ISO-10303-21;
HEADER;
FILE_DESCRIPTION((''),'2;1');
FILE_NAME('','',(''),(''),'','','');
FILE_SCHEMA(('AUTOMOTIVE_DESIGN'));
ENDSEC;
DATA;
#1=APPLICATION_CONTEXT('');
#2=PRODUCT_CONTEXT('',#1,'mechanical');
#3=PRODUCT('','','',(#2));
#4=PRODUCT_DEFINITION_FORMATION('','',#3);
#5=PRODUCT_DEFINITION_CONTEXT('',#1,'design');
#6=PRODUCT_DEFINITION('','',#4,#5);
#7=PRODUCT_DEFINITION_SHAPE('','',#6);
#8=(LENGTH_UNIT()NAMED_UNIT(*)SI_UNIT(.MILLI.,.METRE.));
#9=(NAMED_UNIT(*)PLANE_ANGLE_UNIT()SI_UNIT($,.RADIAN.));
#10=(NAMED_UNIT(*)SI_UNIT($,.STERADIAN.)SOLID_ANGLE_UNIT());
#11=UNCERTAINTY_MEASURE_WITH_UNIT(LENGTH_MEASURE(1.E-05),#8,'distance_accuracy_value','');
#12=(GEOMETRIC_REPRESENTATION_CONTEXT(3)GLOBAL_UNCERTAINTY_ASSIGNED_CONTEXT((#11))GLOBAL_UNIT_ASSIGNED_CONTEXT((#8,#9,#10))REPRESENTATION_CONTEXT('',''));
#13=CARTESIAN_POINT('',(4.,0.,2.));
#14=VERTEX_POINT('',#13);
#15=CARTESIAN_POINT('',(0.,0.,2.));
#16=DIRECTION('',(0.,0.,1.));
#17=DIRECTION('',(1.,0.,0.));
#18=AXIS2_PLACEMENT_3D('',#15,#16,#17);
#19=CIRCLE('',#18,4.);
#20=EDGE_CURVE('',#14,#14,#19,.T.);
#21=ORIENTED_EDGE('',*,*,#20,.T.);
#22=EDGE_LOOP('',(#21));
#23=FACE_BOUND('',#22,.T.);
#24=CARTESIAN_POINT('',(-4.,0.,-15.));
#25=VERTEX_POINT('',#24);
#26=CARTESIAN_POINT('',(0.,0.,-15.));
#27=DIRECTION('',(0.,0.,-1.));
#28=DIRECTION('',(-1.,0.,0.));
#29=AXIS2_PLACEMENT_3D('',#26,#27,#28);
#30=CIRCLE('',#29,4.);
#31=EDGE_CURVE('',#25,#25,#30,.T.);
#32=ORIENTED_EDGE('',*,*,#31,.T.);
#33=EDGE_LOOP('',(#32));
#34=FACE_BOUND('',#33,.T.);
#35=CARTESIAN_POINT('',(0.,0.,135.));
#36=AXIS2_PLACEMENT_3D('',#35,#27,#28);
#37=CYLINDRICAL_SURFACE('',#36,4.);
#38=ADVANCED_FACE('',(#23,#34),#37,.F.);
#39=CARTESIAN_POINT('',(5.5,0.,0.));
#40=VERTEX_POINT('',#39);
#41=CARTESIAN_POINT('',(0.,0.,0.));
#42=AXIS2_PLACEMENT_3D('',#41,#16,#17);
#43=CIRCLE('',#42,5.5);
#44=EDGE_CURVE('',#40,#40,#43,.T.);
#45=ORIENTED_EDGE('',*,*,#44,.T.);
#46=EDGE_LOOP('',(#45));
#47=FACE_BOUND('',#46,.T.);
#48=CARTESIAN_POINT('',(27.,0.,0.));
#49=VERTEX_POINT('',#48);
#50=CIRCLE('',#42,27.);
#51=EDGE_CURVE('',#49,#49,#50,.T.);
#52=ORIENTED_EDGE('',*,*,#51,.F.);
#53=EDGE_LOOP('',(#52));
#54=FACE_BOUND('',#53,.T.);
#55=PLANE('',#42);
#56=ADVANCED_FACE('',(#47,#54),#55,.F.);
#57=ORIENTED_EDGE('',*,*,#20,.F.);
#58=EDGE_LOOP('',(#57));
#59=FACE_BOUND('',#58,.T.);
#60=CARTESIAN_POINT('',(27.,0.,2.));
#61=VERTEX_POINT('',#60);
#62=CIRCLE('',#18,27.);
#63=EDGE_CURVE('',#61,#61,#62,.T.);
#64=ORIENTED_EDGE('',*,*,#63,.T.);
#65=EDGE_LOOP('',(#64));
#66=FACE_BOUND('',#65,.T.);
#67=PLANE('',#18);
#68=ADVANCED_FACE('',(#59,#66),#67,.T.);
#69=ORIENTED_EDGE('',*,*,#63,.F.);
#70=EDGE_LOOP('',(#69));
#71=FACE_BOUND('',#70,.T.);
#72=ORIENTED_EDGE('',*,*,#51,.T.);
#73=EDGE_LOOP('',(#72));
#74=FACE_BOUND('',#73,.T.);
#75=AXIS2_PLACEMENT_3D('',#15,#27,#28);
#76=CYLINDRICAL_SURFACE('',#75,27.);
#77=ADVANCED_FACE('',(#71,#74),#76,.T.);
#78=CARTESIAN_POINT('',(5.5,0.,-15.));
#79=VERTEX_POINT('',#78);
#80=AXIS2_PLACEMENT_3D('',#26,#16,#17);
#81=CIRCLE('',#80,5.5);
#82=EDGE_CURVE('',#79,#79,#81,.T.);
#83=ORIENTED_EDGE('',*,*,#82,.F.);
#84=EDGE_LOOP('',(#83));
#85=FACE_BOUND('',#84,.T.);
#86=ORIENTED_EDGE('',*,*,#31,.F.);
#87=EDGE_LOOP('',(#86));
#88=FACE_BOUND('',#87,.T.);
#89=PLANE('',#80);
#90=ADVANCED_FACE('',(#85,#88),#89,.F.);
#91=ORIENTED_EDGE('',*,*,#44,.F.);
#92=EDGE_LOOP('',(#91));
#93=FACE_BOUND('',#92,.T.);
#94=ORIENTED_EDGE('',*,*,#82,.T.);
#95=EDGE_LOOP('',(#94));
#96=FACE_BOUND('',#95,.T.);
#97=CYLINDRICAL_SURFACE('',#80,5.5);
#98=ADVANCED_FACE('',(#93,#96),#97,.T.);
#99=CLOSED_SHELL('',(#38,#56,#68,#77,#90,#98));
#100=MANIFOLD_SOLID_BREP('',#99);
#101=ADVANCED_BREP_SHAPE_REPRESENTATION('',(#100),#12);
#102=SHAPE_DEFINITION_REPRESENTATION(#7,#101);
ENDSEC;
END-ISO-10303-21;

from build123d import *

# Parameters (mm, degrees)
SKETCH_1_R          = 27
EXTRUDE_1_DEPTH     = 2
SKETCH_2_R          = 5.5
EXTRUDE_2_DEPTH     = 15
SKETCH_3_R          = 4
CUT_EXTRUDE_1_DEPTH = 150


with BuildPart() as part:
    # 草图1 → 凸台-拉伸1 (new body)
    with BuildSketch(Plane.XY):
        Circle(SKETCH_1_R)
    extrude(amount=EXTRUDE_1_DEPTH)

    # 草图2 → 凸台-拉伸2 (add)
    with BuildSketch(Plane.XY):
        Circle(SKETCH_2_R)
    extrude(amount=-EXTRUDE_2_DEPTH)

    # 草图3 → 切除-拉伸1 (cut)
    with BuildSketch(Plane(origin=(0, 0, -15), x_dir=(-1, 0, 0), z_dir=(0, 0, -1))):
        Circle(SKETCH_3_R)
    extrude(amount=-CUT_EXTRUDE_1_DEPTH, mode=Mode.SUBTRACT)


solid = part.part
